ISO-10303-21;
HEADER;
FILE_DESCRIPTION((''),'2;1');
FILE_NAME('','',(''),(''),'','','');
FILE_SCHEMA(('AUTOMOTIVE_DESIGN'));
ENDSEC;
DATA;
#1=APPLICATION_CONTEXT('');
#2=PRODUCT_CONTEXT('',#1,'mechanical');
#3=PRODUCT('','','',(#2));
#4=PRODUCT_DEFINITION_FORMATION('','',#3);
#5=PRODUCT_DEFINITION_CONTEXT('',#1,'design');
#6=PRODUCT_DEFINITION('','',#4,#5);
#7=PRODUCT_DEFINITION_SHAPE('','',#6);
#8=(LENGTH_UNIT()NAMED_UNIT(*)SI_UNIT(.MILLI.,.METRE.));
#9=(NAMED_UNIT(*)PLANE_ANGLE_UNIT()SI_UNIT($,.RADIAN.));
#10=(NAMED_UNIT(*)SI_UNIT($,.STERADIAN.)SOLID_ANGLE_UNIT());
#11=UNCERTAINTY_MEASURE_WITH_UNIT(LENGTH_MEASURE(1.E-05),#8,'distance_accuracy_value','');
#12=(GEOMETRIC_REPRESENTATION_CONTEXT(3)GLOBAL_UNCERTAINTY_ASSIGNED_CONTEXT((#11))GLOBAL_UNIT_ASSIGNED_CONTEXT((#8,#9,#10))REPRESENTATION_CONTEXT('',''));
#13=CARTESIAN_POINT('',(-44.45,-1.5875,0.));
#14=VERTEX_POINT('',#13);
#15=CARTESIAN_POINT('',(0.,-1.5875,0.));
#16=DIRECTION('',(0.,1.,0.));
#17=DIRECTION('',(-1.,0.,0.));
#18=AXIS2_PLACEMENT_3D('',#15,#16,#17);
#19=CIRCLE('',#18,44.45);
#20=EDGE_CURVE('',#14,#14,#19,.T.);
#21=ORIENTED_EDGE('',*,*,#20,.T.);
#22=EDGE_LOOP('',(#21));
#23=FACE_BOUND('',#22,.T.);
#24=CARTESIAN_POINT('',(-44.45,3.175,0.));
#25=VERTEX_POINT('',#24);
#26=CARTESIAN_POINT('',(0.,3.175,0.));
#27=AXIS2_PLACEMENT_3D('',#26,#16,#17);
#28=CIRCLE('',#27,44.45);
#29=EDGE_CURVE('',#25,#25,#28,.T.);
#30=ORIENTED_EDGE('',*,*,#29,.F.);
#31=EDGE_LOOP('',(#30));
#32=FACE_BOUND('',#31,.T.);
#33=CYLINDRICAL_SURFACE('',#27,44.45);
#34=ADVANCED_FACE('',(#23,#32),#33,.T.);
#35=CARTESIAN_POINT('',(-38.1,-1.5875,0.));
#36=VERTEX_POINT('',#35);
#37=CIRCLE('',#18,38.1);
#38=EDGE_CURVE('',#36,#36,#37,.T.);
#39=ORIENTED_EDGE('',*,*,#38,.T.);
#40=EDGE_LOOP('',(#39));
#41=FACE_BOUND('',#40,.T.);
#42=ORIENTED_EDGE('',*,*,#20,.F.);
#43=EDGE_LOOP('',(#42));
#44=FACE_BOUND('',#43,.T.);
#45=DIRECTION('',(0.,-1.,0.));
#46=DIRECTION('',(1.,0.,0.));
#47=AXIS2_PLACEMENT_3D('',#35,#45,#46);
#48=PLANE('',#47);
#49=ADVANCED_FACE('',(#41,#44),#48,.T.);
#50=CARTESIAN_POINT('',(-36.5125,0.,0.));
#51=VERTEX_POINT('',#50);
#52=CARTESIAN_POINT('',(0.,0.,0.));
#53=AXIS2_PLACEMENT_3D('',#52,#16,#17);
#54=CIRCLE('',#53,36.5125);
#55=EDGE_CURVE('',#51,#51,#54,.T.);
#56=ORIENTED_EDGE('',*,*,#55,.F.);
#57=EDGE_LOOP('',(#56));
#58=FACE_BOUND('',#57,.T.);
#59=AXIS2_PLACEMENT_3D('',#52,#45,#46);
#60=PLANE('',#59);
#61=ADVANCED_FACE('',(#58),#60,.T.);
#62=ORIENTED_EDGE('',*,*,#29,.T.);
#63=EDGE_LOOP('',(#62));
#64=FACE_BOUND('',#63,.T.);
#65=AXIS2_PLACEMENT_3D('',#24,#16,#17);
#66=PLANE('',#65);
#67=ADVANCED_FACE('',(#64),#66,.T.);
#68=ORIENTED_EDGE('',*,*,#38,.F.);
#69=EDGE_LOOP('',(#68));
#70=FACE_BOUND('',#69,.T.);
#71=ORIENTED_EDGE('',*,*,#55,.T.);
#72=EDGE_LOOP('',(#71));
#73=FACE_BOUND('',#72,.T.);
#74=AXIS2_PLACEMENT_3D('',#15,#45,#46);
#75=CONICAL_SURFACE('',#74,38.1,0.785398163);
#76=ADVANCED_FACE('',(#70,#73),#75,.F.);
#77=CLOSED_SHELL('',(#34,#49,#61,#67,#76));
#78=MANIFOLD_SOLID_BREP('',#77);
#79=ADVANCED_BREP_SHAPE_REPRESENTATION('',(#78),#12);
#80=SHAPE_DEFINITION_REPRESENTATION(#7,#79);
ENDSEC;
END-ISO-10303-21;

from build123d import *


with BuildPart() as part:
    # Sketch1 → Revolve1 (revolve)
    with BuildSketch(Plane.XY):
        Polygon((0, 0), (-36.5125, 0), (-38.1, -1.5875), (-44.45, -1.5875), (-44.45, 3.175), (0, 3.175), align=None)
    revolve(axis=Axis((0, 3.175, 0), (0, -1, 0)))


solid = part.part
